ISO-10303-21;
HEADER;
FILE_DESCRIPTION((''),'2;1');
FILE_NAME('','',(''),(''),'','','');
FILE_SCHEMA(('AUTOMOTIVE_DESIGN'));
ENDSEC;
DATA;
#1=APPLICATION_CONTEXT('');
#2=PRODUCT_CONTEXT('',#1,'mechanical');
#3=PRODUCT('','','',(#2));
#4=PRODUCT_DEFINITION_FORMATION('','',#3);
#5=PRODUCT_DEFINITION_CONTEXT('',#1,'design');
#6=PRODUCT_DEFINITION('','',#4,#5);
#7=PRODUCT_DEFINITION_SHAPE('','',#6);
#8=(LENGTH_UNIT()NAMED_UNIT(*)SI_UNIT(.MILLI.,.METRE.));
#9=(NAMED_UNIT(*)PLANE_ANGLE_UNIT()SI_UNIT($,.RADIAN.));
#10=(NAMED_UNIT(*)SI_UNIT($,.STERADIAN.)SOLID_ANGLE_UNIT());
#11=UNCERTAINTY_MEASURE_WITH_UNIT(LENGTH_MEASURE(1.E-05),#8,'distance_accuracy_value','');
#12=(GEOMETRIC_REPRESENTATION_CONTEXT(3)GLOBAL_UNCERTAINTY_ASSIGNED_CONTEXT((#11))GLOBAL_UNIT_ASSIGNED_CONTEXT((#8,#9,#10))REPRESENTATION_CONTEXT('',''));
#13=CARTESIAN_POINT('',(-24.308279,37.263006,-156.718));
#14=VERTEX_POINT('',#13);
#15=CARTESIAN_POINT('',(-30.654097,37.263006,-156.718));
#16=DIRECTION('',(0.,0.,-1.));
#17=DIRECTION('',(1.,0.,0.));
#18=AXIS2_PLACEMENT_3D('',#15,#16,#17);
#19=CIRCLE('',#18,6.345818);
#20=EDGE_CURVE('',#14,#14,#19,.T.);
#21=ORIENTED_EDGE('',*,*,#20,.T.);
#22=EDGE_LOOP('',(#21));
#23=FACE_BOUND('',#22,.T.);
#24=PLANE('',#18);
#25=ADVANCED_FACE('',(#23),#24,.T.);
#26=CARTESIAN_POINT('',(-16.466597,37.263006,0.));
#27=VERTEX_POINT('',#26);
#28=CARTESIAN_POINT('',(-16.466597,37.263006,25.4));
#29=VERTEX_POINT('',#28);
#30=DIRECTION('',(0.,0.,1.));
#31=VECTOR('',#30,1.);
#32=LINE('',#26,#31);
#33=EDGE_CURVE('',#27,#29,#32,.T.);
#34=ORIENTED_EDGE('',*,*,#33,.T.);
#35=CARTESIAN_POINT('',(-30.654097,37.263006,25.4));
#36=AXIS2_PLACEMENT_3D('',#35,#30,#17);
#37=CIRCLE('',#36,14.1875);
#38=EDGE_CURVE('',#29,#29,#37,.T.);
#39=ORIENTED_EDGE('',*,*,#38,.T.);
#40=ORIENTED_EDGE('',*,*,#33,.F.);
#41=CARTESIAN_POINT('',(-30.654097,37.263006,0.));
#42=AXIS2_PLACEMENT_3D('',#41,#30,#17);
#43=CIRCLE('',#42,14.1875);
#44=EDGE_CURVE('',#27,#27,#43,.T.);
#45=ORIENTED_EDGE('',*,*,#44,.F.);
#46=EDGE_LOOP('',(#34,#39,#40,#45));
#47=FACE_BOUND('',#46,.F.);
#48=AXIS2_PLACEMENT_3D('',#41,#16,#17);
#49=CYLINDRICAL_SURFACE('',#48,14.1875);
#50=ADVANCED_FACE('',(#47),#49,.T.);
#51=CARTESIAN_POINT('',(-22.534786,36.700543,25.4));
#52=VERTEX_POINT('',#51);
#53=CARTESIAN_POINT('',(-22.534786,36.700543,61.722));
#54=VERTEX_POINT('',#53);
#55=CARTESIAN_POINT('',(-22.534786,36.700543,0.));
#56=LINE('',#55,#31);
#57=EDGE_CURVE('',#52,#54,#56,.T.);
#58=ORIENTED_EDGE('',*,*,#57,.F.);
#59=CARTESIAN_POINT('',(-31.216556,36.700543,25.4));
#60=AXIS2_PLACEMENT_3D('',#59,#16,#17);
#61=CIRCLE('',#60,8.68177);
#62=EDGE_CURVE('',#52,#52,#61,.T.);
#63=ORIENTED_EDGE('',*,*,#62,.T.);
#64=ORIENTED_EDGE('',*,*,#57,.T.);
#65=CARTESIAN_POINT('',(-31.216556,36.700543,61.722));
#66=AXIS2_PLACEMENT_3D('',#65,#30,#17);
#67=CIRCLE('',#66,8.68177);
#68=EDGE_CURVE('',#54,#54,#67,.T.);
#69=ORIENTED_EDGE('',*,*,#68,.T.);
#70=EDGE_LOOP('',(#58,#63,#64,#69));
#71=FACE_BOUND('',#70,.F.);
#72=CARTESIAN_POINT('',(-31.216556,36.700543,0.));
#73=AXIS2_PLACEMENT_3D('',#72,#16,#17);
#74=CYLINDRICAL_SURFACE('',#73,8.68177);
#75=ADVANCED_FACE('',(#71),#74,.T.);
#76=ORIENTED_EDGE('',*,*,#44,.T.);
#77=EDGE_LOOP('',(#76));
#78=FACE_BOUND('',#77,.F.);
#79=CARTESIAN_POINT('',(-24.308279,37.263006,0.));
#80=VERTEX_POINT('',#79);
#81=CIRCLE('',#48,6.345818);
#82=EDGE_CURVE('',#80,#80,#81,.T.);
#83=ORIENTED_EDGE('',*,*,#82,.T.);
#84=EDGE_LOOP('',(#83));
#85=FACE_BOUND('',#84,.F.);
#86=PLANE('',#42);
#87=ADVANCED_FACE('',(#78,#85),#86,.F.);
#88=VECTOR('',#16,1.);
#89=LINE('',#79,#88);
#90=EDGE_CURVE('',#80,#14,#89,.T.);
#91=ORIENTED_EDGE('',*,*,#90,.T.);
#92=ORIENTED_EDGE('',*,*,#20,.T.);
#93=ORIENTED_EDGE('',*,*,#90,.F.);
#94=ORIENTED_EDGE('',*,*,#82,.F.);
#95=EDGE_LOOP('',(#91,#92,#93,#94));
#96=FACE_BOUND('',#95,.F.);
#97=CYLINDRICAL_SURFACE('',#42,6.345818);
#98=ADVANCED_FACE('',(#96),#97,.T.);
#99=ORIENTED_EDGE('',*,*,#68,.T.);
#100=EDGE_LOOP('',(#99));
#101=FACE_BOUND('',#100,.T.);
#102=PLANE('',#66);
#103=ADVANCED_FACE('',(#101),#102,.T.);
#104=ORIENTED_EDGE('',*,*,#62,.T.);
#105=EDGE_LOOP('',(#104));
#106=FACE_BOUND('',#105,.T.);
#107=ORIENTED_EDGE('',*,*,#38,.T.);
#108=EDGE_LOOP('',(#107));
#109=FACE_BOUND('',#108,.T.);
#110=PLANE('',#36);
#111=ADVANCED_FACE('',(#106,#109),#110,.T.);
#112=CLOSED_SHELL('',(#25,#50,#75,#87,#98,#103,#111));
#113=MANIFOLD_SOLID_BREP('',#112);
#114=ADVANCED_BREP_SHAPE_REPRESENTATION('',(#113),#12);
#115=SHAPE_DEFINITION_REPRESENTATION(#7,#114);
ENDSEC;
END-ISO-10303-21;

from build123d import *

# Parameters (mm, degrees)
F0_R     = 8.68177
F1_DEPTH = 61.722
F2_R     = 14.1875
F3_DEPTH = 25.4
F4_R     = 6.345818
F5_DEPTH = 156.718


with BuildPart() as f1:
    # F0 (on Top) → F1 (new body)
    with BuildSketch(Plane.XY):
        with Locations((-31.216556, 36.700543)):
            Circle(F0_R)
    extrude(amount=F1_DEPTH)

    # F2 (on Top) → F3 (join)
    with BuildSketch(Plane.XY):
        with Locations((-30.654097, 37.263006)):
            Circle(F2_R)
    extrude(amount=F3_DEPTH)

    # F4 (on face) → F5 (join)
    with BuildSketch(Plane(origin=(0, 0, 0), x_dir=(1, 0, 0), z_dir=(0, 0, -1))):
        with Locations((-30.654097, -37.263006)):
            Circle(F4_R)
    extrude(amount=F5_DEPTH)


solid = f1.part
